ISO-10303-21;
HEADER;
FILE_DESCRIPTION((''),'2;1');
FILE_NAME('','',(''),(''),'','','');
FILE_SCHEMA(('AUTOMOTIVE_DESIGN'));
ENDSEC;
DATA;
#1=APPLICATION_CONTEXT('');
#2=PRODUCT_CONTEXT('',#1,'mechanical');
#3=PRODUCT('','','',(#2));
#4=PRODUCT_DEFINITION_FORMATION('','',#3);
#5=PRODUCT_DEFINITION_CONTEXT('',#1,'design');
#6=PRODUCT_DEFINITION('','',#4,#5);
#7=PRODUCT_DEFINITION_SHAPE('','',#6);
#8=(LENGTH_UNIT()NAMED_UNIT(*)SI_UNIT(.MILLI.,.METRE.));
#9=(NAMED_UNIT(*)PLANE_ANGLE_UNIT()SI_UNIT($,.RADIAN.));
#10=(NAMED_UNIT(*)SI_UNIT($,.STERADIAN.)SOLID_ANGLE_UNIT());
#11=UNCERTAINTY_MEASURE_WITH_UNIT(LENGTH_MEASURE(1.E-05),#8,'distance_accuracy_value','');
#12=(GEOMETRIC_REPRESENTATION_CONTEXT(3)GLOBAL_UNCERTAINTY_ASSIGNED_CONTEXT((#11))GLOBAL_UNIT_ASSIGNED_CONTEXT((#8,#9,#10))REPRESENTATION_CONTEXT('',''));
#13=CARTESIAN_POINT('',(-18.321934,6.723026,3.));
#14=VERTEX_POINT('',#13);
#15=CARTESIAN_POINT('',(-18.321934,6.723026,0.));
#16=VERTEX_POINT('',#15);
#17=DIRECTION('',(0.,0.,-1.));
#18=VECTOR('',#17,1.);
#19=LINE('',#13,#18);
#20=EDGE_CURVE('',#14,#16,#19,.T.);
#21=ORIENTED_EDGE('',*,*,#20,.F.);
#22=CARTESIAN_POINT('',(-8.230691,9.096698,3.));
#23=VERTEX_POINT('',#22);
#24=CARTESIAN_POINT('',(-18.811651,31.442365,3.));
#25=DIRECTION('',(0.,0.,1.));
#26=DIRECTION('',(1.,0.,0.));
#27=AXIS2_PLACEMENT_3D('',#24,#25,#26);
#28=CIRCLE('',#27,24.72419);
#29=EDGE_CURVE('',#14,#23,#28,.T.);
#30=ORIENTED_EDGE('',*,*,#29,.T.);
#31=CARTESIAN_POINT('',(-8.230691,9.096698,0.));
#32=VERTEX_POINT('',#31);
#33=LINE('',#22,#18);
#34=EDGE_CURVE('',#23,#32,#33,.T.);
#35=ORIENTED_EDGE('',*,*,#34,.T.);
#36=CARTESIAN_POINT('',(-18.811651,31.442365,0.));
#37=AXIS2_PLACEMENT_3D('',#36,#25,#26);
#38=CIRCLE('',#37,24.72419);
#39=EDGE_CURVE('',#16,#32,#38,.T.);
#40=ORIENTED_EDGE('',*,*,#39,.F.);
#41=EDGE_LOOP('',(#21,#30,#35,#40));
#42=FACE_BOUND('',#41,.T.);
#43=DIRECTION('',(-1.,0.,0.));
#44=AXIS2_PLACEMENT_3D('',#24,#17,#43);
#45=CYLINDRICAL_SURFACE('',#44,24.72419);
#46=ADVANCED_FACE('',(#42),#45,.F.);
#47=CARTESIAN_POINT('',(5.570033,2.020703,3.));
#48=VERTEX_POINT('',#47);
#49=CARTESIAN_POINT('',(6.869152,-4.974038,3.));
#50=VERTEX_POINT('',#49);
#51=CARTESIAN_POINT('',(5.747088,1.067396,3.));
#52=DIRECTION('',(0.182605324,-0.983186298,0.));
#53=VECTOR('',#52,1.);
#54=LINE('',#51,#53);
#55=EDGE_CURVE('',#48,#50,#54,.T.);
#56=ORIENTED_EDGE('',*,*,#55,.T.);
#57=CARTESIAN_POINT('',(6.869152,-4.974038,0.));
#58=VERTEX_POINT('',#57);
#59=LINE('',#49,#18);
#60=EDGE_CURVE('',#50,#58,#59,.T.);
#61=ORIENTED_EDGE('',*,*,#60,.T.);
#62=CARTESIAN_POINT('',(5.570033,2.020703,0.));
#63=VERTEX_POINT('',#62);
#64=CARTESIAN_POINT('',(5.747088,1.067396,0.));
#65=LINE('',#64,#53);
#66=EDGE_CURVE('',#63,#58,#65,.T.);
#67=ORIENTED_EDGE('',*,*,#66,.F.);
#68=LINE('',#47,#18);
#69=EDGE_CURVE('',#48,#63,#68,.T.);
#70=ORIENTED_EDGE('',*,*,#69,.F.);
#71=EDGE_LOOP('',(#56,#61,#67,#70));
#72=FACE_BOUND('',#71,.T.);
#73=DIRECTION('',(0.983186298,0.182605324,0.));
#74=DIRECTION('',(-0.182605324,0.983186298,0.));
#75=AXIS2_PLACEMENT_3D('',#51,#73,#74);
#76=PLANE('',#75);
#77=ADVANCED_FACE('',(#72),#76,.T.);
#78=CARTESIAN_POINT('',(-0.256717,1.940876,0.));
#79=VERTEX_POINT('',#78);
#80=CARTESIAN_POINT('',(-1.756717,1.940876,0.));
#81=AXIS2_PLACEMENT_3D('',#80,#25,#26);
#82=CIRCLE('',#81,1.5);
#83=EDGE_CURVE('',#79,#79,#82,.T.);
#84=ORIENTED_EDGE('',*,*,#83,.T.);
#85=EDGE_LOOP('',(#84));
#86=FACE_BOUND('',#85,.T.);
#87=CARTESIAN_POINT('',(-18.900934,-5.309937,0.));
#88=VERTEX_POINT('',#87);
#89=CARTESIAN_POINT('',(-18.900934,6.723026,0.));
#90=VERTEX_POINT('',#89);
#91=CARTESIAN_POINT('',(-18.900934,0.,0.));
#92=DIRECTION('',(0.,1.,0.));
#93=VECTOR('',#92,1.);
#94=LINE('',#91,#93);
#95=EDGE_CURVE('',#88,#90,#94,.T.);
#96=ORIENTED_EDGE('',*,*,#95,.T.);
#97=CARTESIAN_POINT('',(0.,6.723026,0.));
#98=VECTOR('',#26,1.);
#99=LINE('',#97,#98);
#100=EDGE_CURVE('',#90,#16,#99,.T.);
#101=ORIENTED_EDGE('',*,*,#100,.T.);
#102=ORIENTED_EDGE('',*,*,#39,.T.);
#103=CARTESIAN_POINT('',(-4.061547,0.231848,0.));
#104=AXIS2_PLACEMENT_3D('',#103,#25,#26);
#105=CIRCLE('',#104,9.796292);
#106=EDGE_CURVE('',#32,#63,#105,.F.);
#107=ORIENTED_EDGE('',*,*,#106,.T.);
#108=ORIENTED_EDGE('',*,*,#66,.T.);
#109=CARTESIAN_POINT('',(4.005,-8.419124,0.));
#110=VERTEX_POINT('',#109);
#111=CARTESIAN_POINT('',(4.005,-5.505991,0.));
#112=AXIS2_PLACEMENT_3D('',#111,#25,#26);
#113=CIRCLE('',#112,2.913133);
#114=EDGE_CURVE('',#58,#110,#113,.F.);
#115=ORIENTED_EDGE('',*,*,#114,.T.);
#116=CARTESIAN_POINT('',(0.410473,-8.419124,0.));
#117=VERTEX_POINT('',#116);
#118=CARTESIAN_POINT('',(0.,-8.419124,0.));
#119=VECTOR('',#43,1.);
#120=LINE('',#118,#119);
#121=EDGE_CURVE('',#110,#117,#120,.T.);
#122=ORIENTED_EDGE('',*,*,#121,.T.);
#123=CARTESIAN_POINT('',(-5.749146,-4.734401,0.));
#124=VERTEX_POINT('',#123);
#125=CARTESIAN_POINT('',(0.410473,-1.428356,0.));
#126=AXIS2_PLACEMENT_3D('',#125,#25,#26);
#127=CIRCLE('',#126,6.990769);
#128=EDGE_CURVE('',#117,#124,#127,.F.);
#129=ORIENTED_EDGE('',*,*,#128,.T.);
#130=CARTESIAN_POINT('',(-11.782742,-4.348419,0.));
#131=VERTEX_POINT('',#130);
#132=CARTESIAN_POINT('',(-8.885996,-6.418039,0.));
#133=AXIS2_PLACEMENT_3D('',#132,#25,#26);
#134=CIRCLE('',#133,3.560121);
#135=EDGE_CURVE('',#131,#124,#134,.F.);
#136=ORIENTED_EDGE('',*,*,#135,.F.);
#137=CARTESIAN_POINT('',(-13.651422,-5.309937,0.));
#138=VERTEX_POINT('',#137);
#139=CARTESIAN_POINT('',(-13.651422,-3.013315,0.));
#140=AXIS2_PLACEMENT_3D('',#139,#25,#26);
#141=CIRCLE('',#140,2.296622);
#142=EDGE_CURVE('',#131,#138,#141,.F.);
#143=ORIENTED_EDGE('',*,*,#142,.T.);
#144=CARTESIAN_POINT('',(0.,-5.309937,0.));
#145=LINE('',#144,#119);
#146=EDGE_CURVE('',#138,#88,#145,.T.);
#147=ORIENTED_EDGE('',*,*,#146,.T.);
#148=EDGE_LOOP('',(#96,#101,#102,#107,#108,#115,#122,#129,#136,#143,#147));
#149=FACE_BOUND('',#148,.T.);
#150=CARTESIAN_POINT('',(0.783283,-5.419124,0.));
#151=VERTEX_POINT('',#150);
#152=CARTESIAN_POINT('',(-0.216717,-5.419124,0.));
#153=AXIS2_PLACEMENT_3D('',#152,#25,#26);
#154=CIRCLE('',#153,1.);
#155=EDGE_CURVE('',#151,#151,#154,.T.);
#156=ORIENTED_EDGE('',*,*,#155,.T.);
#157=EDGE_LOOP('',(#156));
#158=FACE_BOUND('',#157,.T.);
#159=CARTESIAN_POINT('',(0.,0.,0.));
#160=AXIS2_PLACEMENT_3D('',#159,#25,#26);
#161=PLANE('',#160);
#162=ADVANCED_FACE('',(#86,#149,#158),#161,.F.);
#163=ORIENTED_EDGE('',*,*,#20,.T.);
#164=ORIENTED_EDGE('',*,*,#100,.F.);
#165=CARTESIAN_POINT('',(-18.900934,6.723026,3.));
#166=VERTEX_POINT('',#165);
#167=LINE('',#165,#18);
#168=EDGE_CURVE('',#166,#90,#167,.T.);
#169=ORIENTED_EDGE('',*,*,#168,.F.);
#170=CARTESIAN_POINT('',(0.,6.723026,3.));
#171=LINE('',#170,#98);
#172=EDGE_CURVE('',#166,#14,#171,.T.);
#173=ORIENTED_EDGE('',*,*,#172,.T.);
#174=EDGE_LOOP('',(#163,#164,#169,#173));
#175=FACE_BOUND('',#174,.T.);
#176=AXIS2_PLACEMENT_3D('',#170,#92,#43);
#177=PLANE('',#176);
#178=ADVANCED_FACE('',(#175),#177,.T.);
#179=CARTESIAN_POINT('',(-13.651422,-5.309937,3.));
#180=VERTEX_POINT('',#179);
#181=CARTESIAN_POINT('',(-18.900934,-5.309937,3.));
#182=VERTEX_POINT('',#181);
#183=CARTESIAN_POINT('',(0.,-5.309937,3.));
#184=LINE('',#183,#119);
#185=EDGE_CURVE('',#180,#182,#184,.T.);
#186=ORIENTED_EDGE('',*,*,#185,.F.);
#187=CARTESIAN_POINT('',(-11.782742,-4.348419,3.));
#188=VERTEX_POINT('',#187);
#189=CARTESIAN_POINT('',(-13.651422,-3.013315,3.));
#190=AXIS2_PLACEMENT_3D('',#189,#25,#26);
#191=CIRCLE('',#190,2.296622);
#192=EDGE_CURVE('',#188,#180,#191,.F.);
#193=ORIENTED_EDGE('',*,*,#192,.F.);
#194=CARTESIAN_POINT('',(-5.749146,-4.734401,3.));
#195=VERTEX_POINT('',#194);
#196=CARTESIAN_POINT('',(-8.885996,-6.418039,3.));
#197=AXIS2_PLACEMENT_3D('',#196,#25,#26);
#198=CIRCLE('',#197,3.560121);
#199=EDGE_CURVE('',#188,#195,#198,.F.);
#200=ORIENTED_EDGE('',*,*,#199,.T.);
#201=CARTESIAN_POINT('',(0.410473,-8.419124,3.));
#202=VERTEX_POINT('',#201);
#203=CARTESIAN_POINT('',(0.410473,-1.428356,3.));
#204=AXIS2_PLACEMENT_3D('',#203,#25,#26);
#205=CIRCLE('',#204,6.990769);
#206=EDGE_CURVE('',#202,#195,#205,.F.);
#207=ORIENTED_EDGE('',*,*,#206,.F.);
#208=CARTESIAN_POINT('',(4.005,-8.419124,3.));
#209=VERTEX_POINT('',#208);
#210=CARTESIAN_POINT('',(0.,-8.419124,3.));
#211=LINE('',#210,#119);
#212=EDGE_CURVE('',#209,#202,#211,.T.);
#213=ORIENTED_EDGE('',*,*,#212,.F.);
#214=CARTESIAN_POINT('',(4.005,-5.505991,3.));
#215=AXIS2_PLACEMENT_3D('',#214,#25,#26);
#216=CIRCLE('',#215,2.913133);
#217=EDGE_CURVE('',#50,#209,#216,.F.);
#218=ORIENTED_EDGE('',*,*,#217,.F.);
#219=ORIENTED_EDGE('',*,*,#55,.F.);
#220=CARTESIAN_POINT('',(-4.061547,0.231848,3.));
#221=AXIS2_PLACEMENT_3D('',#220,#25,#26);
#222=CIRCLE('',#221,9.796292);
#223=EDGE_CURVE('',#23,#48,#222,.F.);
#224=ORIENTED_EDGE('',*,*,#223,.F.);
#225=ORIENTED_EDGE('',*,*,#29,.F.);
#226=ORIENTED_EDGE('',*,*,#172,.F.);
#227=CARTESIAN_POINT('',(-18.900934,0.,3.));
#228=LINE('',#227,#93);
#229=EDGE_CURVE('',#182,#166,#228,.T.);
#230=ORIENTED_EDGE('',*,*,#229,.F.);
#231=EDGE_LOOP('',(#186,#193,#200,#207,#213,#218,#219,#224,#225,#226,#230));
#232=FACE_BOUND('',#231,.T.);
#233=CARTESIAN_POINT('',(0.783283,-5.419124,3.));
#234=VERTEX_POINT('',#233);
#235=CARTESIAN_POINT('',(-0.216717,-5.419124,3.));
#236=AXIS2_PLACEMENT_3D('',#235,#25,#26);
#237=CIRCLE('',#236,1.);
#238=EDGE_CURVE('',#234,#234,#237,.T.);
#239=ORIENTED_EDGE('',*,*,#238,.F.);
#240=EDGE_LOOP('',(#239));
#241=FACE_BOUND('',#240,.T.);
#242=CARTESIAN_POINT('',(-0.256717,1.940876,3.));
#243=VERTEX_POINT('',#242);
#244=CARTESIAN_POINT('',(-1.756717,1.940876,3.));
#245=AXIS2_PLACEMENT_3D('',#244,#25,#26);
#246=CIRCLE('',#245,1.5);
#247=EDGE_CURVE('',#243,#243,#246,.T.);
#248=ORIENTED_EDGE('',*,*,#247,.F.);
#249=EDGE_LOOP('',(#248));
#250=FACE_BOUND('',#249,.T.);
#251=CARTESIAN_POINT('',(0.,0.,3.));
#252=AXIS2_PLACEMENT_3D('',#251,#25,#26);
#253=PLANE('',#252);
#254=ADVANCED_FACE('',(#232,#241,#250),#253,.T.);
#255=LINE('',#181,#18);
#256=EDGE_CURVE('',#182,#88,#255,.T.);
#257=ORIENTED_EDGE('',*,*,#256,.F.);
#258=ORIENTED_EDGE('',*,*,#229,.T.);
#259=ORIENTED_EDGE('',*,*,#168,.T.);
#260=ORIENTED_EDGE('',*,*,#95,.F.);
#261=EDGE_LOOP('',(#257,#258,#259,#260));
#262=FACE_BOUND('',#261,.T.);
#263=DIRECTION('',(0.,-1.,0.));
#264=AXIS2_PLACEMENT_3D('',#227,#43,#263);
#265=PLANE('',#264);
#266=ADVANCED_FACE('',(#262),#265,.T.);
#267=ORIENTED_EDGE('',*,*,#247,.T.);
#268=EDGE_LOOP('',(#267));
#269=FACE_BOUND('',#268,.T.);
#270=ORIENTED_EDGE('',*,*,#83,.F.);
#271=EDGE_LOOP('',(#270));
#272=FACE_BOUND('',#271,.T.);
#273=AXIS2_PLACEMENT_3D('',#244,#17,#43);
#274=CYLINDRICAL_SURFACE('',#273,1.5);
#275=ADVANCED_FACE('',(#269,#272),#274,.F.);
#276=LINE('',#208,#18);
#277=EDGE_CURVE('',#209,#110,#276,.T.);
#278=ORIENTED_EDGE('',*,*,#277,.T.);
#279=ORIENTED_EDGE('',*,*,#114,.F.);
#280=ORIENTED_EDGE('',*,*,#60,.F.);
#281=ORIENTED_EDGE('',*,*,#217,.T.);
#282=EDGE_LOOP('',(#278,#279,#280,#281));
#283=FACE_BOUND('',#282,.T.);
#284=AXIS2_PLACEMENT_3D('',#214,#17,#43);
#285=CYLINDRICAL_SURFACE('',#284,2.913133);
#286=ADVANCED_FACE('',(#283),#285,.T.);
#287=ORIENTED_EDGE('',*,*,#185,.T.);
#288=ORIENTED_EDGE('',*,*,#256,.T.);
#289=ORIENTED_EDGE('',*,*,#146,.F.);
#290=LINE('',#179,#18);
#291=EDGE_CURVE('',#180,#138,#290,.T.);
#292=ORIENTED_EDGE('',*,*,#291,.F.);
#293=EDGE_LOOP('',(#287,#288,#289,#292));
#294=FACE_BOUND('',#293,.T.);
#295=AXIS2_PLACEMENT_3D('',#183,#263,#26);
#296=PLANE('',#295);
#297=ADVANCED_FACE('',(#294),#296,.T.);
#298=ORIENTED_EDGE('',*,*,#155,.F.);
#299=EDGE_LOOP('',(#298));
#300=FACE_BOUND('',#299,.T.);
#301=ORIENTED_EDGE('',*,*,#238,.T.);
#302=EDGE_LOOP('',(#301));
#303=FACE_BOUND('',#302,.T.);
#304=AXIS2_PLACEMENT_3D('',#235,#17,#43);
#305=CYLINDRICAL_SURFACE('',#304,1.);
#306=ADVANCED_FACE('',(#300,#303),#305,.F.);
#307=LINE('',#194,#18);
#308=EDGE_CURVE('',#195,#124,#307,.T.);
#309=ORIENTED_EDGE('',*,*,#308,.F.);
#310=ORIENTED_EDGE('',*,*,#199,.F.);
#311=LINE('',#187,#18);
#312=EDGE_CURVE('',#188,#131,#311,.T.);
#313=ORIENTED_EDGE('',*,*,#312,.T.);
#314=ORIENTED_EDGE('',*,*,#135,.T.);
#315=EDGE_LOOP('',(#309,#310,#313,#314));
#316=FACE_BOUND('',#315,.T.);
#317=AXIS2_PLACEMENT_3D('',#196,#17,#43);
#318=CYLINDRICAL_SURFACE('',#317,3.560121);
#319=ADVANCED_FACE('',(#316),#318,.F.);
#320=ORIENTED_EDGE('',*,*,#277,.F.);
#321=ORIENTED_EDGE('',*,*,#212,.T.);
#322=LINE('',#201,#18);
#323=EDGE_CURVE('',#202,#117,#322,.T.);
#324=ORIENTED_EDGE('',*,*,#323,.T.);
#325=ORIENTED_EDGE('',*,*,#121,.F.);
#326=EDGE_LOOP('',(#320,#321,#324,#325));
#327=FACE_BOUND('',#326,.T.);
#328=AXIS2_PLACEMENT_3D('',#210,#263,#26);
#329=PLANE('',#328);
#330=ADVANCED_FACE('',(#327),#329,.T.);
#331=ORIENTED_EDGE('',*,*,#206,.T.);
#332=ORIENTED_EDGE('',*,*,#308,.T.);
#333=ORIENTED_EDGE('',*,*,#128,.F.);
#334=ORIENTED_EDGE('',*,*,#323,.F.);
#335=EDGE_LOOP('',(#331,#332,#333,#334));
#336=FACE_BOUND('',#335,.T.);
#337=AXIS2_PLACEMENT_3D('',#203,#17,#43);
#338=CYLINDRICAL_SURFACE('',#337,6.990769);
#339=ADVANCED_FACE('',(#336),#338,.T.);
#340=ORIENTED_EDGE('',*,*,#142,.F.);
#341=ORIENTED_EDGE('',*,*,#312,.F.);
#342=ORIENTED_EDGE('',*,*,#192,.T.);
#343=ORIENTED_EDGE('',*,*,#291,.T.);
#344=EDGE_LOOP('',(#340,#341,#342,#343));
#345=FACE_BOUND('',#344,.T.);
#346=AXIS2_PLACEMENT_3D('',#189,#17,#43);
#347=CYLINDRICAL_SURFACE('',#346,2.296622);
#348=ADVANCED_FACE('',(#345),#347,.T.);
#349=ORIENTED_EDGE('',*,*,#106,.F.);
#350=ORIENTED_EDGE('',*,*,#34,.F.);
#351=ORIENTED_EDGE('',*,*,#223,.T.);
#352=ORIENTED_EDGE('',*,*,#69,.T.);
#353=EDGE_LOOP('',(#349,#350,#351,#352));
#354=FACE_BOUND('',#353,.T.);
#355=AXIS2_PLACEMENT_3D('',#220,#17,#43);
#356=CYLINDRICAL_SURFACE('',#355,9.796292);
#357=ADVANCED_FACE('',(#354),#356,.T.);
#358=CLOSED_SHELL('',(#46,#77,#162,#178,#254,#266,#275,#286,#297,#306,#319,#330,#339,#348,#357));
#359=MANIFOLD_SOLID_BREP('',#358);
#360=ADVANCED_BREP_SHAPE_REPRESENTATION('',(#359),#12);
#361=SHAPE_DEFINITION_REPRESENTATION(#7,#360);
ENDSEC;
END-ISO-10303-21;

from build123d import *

# Parameters (mm, degrees)
SKETCH1_R           = 1
SKETCH1_R_2         = 1.5
BOSS_EXTRUDE1_DEPTH = 3


with BuildPart() as part:
    # Sketch1 → Boss-Extrude1 (new body)
    with BuildSketch(Plane.XY):
        with BuildLine():
            Line((6.869152375, -4.974037541), (5.570032573, 2.020702591))
            ThreePointArc((5.570032573, 2.020702591), (0.408013999, 8.949092219), (-8.230691413, 9.096697763))
            ThreePointArc((-8.230691413, 9.096697763), (-8.247364434, 9.088837268), (-8.264022634, 9.080945414))
            ThreePointArc((-8.264022634, 9.080945414), (-13.168452035, 7.370807944), (-18.321933974, 6.723025711))
            Line((-18.321933974, 6.723025711), (-18.900934286, 6.723025711))
            Line((-18.900934286, 6.723025711), (-18.900934286, -5.309936566))
            Line((-18.900934286, -5.309936566), (-13.651422395, -5.309936566))
            ThreePointArc((-13.651422395, -5.309936566), (-12.600650913, -5.055458479), (-11.78274174, -4.34841931))
            ThreePointArc((-11.78274174, -4.34841931), (-8.658711941, -2.8651804), (-5.749146129, -4.734401261))
            ThreePointArc((-5.749146129, -4.734401261), (-3.178332185, -7.427632658), (0.410473142, -8.419124472))
            Line((0.410473142, -8.419124472), (4.004999648, -8.419124472))
            ThreePointArc((4.004999648, -8.419124472), (6.245088642, -7.368341001), (6.869152375, -4.974037541))
        make_face()
        with Locations((-0.216717362, -5.419124472)):
            Circle(SKETCH1_R, mode=Mode.SUBTRACT)
        with Locations((-1.756717362, 1.940875528)):
            Circle(SKETCH1_R_2, mode=Mode.SUBTRACT)
    extrude(amount=BOSS_EXTRUDE1_DEPTH)


solid = part.part
